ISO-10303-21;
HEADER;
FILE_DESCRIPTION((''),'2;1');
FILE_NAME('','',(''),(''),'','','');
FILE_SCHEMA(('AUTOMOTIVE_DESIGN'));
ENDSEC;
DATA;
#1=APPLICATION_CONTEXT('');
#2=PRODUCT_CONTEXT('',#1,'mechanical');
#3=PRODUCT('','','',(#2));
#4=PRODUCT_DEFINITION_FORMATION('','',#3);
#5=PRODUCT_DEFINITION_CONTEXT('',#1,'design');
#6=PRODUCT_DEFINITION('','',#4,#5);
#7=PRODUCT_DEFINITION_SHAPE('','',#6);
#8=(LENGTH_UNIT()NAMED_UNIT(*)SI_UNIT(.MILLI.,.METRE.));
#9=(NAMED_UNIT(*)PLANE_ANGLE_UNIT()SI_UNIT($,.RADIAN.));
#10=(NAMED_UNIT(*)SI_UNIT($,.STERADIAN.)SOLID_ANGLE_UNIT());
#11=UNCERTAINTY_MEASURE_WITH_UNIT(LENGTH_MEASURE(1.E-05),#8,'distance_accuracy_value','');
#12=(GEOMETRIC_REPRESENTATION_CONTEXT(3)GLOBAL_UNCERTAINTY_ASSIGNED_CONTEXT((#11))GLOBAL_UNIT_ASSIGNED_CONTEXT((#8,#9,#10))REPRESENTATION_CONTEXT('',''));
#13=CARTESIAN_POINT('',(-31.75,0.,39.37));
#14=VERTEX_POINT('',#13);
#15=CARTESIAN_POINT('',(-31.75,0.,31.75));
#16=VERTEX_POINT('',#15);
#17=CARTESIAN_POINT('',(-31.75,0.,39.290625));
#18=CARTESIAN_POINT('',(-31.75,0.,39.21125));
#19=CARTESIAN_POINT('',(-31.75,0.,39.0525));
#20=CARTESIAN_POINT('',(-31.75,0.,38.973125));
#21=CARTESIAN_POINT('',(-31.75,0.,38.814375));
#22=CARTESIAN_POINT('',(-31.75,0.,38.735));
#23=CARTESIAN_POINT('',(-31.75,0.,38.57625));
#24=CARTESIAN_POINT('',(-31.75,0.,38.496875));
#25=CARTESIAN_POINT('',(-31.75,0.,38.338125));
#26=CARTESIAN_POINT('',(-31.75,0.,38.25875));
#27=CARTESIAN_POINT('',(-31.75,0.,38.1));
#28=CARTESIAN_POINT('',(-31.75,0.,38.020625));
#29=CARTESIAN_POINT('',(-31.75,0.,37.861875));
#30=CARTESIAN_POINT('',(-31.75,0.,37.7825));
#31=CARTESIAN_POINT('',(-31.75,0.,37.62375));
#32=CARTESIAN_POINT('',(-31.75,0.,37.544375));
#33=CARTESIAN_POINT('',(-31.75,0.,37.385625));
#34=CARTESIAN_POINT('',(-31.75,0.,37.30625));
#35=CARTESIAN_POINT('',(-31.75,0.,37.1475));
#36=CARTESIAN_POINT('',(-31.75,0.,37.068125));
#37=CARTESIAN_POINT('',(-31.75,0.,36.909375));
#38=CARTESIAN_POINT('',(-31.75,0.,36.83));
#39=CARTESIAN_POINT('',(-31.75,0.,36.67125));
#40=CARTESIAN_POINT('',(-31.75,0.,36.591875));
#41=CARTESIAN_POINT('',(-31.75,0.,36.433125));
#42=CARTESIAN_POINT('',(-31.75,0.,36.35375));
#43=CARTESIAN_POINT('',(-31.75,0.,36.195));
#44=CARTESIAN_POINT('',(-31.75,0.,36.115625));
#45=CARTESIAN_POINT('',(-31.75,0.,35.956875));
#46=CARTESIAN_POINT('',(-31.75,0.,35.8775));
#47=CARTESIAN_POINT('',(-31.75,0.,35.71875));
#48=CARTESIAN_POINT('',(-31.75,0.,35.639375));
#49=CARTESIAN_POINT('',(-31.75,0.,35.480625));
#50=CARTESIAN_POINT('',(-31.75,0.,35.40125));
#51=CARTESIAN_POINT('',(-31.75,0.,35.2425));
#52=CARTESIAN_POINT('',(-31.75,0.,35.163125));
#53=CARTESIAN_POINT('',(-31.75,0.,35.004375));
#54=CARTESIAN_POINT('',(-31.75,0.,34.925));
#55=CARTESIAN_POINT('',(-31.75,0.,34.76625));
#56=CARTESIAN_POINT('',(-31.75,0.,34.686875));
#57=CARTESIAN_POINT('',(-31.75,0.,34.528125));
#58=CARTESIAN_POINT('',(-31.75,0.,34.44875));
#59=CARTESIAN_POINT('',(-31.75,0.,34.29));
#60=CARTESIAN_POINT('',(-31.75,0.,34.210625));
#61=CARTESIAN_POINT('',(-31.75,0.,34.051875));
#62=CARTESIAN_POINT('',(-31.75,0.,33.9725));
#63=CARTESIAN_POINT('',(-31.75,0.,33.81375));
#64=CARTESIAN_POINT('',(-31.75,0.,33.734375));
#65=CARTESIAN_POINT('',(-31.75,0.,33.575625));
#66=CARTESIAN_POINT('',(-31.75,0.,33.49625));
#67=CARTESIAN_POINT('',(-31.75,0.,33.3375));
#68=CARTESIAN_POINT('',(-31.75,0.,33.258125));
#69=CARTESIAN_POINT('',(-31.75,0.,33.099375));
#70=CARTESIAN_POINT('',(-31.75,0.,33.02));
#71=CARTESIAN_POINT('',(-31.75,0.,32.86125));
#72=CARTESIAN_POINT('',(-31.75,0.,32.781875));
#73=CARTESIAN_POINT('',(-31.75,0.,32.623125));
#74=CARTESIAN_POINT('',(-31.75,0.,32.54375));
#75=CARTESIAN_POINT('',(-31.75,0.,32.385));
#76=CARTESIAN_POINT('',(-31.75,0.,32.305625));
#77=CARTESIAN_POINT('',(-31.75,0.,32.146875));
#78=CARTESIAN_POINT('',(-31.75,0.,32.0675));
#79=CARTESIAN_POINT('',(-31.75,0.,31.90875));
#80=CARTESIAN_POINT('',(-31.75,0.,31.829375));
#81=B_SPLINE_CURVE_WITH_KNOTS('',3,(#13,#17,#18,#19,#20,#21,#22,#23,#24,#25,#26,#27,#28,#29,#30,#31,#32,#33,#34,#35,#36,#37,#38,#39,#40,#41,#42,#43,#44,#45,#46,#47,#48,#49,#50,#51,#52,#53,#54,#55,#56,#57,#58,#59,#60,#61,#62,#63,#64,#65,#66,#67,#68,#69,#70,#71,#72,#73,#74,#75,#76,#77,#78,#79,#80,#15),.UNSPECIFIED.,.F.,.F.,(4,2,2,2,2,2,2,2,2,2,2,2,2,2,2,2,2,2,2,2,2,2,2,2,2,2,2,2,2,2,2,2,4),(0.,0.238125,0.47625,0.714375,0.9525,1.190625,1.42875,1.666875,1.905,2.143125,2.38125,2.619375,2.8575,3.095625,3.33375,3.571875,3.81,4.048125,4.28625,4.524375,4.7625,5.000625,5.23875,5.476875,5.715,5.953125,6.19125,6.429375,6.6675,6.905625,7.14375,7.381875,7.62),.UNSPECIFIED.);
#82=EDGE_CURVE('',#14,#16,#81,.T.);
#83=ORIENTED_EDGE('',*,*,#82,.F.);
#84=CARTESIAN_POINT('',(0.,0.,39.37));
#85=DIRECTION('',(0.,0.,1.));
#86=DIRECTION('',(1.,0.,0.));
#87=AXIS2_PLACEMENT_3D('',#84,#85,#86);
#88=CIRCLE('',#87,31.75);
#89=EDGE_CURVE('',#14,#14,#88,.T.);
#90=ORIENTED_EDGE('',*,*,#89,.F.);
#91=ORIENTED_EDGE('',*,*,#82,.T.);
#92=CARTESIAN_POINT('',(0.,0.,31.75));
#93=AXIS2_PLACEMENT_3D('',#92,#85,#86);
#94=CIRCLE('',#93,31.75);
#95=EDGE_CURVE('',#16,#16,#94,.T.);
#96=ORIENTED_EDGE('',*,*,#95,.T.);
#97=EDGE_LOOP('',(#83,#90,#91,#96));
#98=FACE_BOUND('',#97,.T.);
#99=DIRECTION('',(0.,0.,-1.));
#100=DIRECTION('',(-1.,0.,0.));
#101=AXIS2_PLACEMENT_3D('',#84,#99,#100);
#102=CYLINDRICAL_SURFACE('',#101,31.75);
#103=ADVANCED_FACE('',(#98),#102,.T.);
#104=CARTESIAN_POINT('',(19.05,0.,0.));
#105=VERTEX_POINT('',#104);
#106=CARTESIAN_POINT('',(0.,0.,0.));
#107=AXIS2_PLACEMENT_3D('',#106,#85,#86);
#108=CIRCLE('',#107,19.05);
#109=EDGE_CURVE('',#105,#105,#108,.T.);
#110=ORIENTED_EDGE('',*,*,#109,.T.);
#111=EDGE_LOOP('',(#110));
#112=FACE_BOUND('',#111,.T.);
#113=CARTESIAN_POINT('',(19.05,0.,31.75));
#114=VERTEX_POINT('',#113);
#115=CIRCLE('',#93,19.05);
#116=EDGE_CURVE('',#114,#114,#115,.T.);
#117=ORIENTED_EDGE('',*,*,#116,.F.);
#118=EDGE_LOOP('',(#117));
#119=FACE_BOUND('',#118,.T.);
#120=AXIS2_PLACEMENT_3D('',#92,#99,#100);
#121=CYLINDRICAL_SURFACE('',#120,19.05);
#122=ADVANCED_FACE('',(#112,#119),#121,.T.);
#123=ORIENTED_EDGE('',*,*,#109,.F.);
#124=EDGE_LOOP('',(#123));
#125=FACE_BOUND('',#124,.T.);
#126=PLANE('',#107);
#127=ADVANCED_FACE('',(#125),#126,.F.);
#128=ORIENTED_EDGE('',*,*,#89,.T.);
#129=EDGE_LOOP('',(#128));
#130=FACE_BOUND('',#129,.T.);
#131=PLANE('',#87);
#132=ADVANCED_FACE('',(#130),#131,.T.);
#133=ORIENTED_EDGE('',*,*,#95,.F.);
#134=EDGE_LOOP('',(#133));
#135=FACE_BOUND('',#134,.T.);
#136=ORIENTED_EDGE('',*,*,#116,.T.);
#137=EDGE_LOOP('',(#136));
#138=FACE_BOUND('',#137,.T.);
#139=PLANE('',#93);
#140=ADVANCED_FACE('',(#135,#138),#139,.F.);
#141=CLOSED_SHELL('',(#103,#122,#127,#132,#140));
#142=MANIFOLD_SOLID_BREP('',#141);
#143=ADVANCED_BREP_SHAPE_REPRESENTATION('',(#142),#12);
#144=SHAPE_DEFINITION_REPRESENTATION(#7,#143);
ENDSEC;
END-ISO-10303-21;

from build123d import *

# Parameters (mm, degrees)
SKETCH1_R           = 19.05
BOSS_EXTRUDE1_DEPTH = 31.75
SKETCH2_R           = 31.75
BOSS_EXTRUDE2_DEPTH = 7.62


with BuildPart() as part:
    # Sketch1 → Boss-Extrude1 (new body)
    with BuildSketch(Plane.XY):
        Circle(SKETCH1_R)
    extrude(amount=BOSS_EXTRUDE1_DEPTH)

    # Sketch2 → Boss-Extrude2 (add)
    with BuildSketch(Plane.XY.offset(31.75)):
        with Locations(Location((0, 0, 0), (0, 0, 180))):
            Circle(SKETCH2_R)
    extrude(amount=BOSS_EXTRUDE2_DEPTH)


solid = part.part
